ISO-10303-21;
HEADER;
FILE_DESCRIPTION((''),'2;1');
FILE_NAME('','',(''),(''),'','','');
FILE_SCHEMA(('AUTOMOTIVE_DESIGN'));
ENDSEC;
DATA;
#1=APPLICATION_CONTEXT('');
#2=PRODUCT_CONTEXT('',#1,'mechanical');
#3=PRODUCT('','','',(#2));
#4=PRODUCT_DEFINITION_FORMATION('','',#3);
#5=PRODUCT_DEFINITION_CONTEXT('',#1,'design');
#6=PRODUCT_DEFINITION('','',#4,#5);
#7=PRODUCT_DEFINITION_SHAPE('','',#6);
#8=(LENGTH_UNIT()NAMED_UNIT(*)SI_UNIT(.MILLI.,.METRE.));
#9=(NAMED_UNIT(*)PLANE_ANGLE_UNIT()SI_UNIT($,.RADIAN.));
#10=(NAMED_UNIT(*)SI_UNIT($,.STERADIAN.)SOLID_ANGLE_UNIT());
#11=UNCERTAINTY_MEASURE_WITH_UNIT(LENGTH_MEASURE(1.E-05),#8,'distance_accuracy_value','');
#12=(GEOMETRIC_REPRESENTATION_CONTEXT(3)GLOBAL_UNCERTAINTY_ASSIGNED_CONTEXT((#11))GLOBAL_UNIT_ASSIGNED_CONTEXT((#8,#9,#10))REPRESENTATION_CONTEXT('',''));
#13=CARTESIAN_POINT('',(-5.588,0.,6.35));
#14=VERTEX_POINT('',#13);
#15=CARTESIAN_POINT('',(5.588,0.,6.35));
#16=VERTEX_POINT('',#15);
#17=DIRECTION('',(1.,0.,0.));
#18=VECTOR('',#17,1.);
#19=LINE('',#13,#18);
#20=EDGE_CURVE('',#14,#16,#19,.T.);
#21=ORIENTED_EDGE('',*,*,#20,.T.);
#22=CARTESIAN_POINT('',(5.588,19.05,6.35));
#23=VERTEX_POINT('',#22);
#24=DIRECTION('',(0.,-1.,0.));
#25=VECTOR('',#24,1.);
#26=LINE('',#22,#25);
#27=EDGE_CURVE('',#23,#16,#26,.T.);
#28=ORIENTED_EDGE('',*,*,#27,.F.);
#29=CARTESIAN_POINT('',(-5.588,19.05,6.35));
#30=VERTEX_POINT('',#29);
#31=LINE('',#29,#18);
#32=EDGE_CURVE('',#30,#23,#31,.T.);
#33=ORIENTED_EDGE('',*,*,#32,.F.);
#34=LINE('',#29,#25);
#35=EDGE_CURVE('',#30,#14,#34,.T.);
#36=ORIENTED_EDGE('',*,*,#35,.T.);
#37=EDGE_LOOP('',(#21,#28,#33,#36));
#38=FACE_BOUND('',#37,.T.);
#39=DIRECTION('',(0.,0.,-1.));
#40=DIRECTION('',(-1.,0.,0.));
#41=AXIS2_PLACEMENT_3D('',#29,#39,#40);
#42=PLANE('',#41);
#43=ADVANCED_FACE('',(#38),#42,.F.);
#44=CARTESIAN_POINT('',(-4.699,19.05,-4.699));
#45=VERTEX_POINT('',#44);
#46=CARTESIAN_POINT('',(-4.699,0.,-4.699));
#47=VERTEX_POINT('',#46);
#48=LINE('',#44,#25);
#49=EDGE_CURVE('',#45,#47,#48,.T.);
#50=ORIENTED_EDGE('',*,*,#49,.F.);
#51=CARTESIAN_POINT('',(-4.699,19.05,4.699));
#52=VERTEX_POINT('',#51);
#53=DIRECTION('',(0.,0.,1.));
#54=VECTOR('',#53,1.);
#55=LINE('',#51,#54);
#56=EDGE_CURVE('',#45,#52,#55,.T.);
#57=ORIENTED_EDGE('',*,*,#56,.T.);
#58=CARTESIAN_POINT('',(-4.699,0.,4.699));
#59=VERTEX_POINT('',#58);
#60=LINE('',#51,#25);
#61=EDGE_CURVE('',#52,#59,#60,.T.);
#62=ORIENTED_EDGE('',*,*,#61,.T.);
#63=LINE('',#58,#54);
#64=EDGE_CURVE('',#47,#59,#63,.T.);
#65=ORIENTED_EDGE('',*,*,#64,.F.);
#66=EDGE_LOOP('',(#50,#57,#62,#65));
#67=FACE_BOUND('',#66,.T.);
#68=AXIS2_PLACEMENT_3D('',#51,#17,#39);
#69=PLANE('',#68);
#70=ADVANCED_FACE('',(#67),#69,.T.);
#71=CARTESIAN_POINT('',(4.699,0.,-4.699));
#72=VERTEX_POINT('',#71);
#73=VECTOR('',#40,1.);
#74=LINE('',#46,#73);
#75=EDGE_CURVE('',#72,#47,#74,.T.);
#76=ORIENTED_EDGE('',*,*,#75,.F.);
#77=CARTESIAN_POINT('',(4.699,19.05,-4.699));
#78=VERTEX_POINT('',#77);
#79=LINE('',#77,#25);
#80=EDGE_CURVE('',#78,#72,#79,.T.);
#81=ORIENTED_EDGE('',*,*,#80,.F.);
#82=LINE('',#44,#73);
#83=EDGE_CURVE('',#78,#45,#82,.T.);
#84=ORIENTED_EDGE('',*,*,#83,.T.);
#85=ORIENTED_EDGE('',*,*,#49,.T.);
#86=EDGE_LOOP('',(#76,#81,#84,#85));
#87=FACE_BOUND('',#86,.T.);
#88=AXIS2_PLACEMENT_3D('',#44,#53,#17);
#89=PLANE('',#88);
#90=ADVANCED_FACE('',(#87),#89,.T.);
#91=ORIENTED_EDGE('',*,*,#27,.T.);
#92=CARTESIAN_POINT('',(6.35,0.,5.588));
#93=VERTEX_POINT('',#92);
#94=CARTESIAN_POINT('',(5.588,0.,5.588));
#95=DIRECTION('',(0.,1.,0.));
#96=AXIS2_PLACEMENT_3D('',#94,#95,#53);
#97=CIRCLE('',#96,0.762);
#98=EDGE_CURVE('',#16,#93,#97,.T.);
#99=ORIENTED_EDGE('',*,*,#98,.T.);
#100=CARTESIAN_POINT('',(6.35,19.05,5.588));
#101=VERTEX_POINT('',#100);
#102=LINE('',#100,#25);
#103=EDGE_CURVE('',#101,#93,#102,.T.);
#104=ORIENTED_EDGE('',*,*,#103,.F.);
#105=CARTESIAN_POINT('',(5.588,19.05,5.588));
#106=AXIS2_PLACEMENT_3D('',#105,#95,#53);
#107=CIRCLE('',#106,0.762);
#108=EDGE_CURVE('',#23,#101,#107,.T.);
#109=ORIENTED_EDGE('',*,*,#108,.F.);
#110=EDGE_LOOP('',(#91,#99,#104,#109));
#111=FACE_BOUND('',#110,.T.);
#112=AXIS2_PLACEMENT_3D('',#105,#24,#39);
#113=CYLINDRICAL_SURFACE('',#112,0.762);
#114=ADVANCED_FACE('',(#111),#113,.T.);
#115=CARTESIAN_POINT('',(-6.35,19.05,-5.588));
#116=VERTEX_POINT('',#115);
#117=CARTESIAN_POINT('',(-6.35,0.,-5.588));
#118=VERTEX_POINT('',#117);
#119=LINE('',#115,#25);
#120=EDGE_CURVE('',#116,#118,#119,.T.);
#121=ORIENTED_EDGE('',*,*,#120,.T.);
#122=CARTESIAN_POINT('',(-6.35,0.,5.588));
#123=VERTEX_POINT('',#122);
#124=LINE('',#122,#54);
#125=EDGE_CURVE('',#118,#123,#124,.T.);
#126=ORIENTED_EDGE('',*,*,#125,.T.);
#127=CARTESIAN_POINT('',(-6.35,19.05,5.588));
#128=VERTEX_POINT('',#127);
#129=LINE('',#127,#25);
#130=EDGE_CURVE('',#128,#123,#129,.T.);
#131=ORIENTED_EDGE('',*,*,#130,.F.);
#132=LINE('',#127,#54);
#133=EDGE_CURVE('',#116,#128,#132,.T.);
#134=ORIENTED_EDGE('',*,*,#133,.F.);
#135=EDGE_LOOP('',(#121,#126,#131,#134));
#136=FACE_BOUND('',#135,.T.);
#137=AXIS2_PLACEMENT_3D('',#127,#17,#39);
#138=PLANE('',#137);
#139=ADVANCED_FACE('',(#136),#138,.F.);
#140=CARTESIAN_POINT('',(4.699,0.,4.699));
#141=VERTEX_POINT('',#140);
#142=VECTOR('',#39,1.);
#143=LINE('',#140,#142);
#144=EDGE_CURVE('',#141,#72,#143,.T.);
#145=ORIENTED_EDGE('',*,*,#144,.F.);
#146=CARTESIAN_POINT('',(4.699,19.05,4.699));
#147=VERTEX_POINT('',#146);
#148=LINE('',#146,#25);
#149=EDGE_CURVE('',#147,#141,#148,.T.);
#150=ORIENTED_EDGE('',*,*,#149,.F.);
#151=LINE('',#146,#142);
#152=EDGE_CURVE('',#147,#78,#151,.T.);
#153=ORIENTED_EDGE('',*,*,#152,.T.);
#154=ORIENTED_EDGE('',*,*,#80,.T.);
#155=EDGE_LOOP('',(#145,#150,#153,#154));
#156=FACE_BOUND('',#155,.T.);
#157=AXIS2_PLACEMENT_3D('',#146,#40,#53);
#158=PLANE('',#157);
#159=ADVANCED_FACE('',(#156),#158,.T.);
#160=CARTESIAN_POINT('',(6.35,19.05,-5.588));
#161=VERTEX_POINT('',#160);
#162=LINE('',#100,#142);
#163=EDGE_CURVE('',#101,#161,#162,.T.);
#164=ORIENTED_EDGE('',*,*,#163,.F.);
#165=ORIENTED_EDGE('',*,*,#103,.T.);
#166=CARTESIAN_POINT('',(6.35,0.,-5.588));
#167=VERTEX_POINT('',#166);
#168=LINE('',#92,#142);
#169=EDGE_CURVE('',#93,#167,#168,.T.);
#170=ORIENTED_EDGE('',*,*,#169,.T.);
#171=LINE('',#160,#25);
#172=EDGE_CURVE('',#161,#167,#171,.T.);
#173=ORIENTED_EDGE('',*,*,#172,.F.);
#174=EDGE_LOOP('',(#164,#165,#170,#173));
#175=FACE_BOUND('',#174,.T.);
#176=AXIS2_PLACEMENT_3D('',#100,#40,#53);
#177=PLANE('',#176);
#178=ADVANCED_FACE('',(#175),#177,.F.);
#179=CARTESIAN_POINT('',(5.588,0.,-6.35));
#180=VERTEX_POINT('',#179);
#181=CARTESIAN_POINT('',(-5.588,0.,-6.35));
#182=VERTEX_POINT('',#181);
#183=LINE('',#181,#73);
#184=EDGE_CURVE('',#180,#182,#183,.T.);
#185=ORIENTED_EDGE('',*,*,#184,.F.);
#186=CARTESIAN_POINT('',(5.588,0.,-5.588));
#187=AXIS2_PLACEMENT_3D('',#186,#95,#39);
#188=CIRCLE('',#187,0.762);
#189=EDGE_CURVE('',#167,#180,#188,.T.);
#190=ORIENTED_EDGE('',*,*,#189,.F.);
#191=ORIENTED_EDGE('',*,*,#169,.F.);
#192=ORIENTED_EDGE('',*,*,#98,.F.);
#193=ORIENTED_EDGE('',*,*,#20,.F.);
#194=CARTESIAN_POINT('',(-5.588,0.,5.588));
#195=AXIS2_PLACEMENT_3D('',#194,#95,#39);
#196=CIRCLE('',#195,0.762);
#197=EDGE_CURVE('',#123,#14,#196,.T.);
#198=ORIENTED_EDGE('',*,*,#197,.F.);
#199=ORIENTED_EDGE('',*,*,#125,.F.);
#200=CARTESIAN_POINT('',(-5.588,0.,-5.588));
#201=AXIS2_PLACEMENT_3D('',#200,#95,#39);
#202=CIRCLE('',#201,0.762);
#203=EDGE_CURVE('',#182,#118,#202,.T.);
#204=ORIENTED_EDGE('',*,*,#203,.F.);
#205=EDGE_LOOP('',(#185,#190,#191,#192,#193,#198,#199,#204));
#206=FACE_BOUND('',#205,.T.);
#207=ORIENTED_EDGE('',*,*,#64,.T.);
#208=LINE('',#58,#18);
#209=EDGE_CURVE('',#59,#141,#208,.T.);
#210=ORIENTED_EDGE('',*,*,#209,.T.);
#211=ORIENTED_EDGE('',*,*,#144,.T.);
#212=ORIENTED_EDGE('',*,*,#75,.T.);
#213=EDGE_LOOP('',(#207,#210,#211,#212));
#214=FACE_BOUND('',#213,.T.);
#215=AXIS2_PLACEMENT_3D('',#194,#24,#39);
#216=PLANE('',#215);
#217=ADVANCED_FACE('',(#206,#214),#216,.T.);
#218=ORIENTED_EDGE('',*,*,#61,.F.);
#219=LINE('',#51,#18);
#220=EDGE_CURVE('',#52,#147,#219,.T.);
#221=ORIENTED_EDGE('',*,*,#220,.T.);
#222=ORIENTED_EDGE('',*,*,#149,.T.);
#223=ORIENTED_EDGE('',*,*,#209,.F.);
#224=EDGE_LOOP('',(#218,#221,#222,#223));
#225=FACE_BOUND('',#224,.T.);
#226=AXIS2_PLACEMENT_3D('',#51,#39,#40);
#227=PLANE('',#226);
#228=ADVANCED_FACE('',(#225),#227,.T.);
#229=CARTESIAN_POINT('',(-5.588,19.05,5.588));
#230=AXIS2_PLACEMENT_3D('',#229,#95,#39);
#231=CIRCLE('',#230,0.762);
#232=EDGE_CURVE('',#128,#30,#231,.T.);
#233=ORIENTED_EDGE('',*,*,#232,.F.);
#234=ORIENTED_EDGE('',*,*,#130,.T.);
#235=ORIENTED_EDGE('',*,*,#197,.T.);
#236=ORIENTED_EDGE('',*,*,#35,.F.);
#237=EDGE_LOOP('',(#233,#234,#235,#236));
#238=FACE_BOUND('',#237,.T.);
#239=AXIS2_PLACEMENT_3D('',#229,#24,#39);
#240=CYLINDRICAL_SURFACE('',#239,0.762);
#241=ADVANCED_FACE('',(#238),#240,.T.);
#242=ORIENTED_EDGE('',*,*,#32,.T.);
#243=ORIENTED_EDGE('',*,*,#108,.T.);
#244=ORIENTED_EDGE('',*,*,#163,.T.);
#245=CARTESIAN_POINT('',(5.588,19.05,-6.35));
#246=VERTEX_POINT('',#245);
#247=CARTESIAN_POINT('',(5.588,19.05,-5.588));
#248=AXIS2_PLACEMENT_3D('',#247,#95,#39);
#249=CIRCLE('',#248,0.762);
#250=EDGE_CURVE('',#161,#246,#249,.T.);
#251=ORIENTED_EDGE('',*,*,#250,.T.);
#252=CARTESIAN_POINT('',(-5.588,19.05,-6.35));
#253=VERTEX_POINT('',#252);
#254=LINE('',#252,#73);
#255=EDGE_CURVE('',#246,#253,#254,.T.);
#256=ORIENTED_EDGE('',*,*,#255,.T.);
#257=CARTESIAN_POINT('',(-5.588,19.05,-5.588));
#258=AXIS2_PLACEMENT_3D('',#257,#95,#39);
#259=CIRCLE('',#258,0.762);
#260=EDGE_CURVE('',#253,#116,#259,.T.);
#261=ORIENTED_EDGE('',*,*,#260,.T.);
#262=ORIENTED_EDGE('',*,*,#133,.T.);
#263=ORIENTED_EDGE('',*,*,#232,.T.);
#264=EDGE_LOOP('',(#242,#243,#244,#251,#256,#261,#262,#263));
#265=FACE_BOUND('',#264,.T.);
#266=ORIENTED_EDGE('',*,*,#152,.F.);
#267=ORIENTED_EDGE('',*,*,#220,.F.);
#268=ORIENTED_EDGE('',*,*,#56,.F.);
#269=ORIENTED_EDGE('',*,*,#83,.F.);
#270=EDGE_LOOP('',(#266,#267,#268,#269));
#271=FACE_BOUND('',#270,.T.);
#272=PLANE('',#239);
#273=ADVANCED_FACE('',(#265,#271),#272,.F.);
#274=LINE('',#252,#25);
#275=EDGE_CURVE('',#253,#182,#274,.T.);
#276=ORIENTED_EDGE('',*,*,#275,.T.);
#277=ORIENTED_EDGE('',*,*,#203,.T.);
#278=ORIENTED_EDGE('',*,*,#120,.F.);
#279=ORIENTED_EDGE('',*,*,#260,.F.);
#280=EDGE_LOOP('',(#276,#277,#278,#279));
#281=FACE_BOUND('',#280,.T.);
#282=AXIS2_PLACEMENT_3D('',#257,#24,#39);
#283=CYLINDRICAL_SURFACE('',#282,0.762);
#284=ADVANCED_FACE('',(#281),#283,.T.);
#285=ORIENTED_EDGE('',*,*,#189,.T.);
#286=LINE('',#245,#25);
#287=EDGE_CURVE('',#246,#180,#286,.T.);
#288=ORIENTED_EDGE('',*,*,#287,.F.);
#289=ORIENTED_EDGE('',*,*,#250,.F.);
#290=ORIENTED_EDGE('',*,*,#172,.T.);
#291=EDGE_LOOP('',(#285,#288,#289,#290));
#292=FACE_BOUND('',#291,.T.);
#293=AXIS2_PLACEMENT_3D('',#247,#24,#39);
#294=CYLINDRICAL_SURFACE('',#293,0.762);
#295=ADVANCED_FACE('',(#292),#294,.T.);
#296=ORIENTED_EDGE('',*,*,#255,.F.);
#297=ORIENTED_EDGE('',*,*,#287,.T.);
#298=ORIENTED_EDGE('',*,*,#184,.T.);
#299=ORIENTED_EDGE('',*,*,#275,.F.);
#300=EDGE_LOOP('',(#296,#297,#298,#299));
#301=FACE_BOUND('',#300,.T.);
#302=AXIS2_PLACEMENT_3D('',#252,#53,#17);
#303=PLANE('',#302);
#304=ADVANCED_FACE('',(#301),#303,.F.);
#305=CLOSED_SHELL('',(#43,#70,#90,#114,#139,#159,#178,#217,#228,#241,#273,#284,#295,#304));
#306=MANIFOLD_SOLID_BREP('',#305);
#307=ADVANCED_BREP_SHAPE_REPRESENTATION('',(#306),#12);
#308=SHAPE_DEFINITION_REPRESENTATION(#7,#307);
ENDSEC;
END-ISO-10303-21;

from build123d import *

# Parameters (mm, degrees)
SKETCH1_W           = 9.398
SKETCH1_H           = 9.398
BOSS_EXTRUDE1_DEPTH = 19.05


with BuildPart() as part:
    # Sketch1 → Boss-Extrude1 (new body)
    with BuildSketch(Plane(origin=(0, 0, 0), x_dir=(1, 0, 0), z_dir=(0, 1, 0))):
        with BuildLine():
            Line((-5.588, -6.35), (5.588, -6.35))
            ThreePointArc((5.588, -6.35), (6.126815367, -6.126815367), (6.35, -5.588))
            Line((6.35, -5.588), (6.35, 5.588))
            ThreePointArc((6.35, 5.588), (6.126815367, 6.126815367), (5.588, 6.35))
            Line((5.588, 6.35), (-5.588, 6.35))
            ThreePointArc((-5.588, 6.35), (-6.126815367, 6.126815367), (-6.35, 5.588))
            Line((-6.35, 5.588), (-6.35, -5.588))
            ThreePointArc((-6.35, -5.588), (-6.126815367, -6.126815367), (-5.588, -6.35))
        make_face()
        Rectangle(SKETCH1_W, SKETCH1_H, mode=Mode.SUBTRACT)
    extrude(amount=BOSS_EXTRUDE1_DEPTH)


solid = part.part
